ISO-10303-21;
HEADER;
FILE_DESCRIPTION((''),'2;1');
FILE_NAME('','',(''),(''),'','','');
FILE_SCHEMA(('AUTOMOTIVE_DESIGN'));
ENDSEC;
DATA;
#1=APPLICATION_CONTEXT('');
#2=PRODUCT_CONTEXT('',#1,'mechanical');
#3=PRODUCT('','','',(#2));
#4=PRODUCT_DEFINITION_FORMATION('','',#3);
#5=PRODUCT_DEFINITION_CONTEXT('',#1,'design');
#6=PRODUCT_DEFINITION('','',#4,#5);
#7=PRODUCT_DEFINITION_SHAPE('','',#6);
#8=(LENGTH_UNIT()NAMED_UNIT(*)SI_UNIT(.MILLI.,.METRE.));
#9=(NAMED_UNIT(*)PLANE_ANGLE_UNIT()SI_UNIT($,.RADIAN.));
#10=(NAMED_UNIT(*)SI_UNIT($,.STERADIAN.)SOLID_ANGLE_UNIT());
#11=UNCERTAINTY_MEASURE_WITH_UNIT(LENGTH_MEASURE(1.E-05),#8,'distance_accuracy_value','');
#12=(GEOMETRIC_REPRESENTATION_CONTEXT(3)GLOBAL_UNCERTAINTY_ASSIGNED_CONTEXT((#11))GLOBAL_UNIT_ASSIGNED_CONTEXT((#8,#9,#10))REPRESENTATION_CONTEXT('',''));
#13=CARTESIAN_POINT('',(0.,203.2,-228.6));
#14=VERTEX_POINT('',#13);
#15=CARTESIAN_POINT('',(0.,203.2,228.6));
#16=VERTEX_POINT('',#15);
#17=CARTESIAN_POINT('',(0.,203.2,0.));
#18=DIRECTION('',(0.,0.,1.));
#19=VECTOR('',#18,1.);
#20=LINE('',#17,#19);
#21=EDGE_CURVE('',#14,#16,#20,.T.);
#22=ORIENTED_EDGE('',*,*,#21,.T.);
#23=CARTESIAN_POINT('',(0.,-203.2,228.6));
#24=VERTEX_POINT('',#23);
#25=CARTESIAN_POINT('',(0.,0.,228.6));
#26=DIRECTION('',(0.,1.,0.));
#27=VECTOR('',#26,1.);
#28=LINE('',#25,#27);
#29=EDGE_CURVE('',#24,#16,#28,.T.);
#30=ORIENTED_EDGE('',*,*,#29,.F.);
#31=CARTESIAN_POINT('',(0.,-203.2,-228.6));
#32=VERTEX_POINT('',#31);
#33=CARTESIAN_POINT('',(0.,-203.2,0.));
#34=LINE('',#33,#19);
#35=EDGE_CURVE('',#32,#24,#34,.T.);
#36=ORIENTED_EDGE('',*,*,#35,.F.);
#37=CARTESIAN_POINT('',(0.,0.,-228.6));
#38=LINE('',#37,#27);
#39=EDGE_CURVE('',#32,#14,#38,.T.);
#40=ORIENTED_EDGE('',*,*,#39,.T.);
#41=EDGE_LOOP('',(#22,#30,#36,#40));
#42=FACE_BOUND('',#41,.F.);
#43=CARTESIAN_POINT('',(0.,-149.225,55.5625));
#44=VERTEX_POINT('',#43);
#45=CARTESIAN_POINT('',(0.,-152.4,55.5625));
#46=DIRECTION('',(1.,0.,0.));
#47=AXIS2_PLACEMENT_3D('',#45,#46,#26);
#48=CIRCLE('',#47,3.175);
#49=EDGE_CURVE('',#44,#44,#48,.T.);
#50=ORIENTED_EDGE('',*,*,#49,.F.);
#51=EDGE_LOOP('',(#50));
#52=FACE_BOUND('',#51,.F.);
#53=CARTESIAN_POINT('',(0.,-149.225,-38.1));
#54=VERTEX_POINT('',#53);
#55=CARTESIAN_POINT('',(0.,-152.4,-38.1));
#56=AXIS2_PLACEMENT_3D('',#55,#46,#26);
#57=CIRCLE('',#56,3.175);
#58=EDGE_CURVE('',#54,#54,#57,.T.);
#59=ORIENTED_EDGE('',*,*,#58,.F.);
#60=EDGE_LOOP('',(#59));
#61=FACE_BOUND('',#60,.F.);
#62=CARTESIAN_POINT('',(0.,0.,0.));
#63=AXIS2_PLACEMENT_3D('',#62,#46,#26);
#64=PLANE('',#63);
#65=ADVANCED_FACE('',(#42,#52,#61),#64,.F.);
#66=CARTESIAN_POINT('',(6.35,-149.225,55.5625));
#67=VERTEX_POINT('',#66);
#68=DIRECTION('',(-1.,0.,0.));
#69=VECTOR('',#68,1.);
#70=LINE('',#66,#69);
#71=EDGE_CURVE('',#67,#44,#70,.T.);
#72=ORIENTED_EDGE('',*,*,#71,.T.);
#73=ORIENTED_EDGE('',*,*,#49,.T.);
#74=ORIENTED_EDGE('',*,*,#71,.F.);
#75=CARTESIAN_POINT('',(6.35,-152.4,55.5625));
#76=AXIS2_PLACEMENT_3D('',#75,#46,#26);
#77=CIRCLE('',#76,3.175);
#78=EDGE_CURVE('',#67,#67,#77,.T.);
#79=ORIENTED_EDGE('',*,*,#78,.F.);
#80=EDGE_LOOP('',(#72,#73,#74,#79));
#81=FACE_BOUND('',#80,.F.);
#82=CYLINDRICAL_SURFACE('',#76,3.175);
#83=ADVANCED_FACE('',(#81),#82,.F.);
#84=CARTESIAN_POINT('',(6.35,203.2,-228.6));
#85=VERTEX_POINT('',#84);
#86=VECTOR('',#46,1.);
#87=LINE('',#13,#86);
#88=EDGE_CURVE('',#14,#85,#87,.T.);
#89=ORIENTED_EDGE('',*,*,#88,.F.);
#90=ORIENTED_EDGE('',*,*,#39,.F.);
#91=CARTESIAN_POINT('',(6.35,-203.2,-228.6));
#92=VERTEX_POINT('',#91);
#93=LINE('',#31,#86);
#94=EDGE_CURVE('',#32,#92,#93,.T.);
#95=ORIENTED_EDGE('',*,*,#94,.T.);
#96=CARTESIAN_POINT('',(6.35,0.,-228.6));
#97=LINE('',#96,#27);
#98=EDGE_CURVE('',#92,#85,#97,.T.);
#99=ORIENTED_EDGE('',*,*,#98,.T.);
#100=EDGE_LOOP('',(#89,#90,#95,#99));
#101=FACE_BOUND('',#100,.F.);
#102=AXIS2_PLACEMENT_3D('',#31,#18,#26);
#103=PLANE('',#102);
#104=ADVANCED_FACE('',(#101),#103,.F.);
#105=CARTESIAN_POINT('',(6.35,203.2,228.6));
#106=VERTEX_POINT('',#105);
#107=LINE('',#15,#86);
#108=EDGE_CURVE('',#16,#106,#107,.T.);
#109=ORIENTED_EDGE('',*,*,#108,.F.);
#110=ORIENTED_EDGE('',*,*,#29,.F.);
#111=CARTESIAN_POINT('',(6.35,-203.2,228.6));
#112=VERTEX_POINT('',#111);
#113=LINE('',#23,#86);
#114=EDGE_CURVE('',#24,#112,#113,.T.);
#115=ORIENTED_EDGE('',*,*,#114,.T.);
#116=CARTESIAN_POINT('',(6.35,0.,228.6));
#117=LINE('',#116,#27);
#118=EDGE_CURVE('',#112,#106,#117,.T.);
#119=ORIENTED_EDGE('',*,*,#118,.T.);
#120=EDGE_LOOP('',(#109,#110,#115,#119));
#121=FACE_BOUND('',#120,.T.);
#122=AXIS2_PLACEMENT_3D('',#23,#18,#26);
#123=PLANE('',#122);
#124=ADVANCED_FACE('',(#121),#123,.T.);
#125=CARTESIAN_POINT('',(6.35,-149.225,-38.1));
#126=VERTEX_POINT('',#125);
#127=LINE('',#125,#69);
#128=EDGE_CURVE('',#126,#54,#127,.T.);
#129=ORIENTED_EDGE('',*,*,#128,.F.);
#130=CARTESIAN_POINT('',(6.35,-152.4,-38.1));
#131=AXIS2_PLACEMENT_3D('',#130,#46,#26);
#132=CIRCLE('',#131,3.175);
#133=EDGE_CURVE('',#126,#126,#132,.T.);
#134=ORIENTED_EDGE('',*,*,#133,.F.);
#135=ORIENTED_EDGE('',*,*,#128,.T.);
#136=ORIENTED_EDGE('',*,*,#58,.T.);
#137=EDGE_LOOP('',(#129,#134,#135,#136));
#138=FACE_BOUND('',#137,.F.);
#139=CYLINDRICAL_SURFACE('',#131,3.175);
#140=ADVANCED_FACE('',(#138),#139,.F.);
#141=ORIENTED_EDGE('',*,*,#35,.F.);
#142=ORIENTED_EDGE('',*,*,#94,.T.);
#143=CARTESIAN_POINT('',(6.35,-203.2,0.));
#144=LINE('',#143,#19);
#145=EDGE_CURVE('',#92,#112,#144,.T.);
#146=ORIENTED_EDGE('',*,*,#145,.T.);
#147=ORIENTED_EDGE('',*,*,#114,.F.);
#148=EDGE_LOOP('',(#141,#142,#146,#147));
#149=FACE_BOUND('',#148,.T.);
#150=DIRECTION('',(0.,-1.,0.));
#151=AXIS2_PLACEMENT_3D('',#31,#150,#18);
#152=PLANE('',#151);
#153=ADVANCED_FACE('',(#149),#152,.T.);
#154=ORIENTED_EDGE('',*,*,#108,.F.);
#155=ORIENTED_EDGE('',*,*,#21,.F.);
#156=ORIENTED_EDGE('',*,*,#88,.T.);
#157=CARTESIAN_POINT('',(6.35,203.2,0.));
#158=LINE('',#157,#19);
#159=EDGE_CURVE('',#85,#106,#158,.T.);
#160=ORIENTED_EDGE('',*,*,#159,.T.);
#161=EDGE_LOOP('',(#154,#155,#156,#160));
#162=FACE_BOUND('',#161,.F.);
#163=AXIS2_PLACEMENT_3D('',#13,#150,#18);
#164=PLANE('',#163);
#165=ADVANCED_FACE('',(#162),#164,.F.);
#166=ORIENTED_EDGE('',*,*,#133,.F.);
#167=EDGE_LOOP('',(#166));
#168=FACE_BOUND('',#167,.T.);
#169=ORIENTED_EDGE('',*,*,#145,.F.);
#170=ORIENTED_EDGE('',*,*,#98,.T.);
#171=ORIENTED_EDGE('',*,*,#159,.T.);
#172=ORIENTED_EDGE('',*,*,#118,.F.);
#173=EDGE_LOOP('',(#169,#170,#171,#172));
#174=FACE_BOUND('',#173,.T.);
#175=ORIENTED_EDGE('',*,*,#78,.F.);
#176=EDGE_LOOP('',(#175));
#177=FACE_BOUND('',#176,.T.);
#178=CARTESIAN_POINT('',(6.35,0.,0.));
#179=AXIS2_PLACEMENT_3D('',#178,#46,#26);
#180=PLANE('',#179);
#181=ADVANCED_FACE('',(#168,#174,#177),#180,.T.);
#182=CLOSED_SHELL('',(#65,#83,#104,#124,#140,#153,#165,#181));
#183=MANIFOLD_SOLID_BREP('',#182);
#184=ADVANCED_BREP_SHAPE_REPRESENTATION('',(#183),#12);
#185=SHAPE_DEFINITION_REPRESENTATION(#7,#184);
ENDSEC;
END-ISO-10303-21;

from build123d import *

# Parameters (mm, degrees)
F0_W     = 406.4
F0_H     = 457.2
F1_DEPTH = 6.35
F2_R     = 3.175
F3_DEPTH = 6.351


with BuildPart() as f1:
    # F0 (on Right) → F1 (new body)
    with BuildSketch(Plane.YZ):
        Rectangle(F0_W, F0_H)
    extrude(amount=F1_DEPTH)

    # F2 (on face) → F3 (cut, through all)
    with BuildSketch(Plane.YZ.offset(6.35)):
        with Locations((-152.4, -38.1)):
            Circle(F2_R)
        with Locations((-152.4, 55.5625)):
            Circle(F2_R)
    extrude(amount=-F3_DEPTH, mode=Mode.SUBTRACT)


solid = f1.part
